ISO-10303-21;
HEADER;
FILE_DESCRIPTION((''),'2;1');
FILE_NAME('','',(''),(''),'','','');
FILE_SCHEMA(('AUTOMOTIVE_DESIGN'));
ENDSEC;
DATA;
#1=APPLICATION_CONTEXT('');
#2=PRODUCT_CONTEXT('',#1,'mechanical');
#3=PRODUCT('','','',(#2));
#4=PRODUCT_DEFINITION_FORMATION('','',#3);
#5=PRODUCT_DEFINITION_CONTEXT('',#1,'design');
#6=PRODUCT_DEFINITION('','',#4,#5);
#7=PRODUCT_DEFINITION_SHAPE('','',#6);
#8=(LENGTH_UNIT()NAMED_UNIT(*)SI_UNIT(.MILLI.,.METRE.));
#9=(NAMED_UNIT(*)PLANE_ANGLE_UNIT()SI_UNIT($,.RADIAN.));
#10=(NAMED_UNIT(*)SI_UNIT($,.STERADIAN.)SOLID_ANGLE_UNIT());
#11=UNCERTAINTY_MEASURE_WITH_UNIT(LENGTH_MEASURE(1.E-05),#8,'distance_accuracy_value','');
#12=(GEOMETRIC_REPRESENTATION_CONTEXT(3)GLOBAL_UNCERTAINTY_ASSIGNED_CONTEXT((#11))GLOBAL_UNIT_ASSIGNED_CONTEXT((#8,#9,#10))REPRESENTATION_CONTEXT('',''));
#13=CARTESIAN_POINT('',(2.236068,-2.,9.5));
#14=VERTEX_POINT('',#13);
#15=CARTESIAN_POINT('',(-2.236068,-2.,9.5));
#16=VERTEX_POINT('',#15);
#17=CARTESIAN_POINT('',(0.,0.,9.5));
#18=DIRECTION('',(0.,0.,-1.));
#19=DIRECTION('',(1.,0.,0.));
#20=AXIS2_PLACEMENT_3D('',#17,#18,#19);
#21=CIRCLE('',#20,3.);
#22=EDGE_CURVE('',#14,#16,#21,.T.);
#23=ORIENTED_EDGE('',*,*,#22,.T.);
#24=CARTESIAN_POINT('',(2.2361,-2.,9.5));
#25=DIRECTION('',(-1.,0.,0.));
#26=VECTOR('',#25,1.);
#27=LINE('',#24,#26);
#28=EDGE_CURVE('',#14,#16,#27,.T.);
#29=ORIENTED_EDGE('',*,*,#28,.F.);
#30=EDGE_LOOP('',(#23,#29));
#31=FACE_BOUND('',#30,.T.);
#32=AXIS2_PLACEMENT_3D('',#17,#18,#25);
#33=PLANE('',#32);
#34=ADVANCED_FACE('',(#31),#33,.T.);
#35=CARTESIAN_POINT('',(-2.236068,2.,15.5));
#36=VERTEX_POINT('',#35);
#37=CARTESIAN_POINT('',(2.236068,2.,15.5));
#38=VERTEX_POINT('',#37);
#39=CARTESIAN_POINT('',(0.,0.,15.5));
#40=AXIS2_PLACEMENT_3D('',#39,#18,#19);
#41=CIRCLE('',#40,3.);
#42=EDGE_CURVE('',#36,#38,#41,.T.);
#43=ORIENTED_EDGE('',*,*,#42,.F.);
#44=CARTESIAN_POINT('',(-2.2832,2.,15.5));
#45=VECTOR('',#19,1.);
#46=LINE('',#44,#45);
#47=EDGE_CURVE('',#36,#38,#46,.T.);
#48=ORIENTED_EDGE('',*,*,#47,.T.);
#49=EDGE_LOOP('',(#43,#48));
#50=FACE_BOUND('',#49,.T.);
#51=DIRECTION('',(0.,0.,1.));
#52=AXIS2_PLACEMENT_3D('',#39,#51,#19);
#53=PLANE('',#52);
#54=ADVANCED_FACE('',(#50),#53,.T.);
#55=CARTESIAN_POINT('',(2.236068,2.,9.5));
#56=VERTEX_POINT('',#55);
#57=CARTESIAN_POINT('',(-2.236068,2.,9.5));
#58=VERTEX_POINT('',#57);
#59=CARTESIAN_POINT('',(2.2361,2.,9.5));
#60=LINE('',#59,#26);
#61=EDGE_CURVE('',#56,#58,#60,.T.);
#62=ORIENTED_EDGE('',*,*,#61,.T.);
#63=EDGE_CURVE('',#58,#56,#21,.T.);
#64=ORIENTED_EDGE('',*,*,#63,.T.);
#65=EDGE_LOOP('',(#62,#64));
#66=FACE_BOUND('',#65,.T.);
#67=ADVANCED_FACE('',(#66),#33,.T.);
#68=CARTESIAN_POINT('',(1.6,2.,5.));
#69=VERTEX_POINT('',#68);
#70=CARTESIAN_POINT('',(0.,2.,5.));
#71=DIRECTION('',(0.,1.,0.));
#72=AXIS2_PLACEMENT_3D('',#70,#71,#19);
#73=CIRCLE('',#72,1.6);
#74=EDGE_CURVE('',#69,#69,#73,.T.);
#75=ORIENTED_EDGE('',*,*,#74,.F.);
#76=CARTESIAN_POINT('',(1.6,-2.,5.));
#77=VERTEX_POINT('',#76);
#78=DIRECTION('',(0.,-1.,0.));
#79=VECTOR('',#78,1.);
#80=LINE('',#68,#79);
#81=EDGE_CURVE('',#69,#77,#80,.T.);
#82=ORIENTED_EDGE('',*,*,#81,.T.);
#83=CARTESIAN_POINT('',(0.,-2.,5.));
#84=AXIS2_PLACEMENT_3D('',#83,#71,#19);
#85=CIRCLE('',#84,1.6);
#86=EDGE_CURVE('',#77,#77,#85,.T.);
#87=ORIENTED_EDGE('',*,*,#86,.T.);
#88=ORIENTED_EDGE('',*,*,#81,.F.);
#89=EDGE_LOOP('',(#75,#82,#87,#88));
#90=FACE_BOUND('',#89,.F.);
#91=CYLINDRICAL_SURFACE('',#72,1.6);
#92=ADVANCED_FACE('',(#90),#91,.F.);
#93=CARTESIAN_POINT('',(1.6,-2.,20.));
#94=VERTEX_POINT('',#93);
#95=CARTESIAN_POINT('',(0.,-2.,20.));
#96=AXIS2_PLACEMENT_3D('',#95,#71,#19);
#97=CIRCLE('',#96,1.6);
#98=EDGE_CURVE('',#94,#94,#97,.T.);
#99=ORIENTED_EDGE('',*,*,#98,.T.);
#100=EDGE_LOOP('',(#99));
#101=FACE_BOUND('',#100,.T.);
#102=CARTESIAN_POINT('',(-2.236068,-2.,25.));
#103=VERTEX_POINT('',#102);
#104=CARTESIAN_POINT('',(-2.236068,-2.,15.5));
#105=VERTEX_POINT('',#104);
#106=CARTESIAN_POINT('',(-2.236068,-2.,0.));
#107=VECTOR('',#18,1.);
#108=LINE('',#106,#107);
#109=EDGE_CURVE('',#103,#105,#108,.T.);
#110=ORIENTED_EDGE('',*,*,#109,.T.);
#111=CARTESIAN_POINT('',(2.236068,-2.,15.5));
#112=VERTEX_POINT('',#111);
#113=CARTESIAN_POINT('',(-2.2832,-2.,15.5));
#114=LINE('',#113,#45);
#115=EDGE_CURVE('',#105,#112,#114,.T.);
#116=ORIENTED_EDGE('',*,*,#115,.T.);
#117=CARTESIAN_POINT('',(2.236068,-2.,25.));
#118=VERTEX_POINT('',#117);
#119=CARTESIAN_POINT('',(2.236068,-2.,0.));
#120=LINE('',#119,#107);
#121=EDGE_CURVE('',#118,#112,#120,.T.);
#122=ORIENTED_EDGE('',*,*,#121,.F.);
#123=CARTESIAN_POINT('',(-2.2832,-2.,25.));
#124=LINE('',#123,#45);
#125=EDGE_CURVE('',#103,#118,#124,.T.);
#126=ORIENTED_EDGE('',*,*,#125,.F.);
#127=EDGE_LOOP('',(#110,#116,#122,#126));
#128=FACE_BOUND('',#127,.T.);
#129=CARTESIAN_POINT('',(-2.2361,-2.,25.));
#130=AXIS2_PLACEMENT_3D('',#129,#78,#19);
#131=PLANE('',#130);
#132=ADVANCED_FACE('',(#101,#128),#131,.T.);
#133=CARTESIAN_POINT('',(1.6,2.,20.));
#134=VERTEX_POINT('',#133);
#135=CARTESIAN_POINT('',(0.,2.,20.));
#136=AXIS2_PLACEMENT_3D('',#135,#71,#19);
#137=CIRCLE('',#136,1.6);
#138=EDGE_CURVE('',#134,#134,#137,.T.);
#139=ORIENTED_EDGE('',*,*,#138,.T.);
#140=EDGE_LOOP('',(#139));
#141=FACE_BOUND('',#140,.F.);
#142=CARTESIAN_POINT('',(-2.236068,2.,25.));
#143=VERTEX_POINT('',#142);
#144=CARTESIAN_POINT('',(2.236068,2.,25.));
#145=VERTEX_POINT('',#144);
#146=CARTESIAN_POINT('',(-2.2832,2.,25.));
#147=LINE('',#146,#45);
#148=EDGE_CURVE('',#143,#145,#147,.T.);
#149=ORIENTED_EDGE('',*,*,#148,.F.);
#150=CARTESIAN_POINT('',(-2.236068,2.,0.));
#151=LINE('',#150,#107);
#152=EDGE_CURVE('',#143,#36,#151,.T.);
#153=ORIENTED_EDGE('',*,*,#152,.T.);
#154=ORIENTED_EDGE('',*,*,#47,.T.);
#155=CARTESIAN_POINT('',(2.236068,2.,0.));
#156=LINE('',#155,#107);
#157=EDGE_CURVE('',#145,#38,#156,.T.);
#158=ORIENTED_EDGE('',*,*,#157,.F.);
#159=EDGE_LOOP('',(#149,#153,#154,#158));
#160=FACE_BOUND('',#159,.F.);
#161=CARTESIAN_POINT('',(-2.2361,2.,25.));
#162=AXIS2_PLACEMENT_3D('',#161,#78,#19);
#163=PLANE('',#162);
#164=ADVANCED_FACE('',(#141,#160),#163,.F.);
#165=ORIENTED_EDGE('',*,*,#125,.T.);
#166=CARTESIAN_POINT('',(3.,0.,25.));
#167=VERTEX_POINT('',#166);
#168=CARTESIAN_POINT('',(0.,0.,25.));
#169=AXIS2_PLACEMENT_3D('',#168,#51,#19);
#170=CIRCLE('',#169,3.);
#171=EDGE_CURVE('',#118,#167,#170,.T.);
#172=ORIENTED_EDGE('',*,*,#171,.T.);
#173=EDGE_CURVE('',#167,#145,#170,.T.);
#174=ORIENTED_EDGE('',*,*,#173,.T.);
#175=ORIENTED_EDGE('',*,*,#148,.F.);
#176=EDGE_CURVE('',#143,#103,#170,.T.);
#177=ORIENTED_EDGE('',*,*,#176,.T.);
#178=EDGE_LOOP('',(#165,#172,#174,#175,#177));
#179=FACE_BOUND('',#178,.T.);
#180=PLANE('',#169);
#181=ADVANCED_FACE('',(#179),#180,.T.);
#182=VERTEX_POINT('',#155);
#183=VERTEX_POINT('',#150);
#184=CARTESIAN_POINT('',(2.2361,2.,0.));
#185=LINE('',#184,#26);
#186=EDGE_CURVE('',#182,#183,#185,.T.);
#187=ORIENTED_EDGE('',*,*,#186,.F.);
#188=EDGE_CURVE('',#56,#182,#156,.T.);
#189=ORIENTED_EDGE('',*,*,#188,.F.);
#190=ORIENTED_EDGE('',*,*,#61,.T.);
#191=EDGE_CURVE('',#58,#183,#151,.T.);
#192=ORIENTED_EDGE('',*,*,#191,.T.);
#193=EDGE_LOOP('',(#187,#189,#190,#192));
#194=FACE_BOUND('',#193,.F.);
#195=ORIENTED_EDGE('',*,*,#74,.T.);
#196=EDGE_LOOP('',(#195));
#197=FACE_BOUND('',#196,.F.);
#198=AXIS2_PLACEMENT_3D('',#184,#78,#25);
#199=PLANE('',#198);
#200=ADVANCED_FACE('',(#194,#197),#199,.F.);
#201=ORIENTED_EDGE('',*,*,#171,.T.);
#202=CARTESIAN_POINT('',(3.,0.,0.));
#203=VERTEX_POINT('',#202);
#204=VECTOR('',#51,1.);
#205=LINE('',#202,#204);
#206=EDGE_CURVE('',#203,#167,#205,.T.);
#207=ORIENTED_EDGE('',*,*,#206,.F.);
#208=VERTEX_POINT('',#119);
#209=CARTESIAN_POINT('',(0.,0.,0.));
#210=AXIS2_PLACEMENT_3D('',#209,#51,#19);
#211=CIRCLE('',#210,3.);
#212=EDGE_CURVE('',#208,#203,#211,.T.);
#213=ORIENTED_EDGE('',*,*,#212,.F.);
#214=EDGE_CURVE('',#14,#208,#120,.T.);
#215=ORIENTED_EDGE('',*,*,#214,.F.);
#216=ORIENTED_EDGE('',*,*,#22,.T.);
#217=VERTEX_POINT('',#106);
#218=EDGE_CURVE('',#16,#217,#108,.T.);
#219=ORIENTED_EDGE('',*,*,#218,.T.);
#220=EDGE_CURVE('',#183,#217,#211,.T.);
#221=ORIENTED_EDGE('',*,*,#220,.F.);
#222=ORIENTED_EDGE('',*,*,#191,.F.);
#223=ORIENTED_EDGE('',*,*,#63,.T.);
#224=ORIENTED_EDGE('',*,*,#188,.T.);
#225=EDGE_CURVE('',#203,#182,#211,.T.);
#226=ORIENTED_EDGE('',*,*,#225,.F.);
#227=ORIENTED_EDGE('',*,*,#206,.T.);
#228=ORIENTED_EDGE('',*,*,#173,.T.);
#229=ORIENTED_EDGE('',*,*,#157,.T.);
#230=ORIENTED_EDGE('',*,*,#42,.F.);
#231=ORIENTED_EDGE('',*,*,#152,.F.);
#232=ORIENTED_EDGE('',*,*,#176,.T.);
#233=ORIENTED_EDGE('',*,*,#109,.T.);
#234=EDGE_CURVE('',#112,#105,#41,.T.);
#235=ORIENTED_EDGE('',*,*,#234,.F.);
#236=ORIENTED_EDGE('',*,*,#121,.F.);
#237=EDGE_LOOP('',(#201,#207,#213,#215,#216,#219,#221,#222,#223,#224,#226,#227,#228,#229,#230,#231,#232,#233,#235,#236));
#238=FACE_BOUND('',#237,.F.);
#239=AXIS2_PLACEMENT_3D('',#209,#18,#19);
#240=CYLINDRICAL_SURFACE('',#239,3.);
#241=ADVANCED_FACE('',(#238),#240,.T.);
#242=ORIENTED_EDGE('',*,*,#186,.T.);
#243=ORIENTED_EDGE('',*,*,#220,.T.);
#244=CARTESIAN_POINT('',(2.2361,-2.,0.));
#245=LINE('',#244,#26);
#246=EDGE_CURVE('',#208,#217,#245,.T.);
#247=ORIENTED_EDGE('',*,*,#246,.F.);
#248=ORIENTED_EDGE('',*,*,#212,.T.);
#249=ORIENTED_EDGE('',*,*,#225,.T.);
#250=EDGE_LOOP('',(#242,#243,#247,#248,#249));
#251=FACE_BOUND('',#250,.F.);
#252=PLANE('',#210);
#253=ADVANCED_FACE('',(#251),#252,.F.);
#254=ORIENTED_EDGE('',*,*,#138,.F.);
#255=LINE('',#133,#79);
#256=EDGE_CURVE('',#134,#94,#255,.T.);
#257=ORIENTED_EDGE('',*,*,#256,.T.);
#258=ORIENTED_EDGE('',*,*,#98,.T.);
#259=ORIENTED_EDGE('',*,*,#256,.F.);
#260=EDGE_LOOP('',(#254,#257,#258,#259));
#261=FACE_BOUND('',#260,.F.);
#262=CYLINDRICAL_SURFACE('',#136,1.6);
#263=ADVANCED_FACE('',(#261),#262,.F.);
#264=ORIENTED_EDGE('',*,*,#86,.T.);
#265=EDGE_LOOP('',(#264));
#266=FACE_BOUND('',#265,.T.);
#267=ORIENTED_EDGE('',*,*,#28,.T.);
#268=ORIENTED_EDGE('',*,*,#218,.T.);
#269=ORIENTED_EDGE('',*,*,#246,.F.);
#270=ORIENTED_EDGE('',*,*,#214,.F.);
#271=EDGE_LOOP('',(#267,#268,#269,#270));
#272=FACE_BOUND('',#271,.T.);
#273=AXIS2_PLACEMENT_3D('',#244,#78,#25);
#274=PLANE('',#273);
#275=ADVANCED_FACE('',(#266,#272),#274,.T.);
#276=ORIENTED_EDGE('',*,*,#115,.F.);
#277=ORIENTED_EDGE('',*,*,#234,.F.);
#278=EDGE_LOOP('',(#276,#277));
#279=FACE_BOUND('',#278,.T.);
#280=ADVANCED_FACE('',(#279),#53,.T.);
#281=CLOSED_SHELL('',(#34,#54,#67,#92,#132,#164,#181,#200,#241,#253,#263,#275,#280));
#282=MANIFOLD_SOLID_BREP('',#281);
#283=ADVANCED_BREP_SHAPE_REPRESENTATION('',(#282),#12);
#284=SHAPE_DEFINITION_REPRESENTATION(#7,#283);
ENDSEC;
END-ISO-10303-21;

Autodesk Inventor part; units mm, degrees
ref_plane "YZ Plane" through (0, 0, 0) normal (1, 0, 0) x (0, 1, 0)
ref_plane "XZ Plane" through (0, 0, 0) normal (0, 1, 0) x (-1, 0, 0)
ref_plane "XY Plane" through (0, 0, 0) normal (0, 0, 1) x (1, 0, 0)
sketch "スケッチ1" plane through (0, 0, 0) normal (0, 0, 1) x (1, 0, 0)
  circle A0 centre (0, 0) radius 3
  dimension "d0" = 6
extrude "押し出し1" add sketch "スケッチ1" along normal blind 25
sketch "スケッチ2" plane through (0, 0, 25) normal (0, 0, 1) x (1, 0, 0)
  line L0 (-2.2832, 2) -> (2.2938, 2)
  line L1 (-2.2832, -2) -> (2.3454, -2)
  arc A0 (-2.2361, 2) -> (-2.2361, -2) centre (0, 0) ccw construction
  arc A1 (2.2361, 2) -> (-2.2361, 2) centre (0, 0) ccw
  arc A2 (2.2361, -2) -> (2.2361, 2) centre (0, 0) ccw construction
  arc A3 (-2.2361, -2) -> (2.2361, -2) centre (0, 0) ccw
  dimension "d5" = 2
  dimension "d6" = 6
  dimension "d7" = 2
extrude "押し出し2" cut sketch "スケッチ2" against normal blind 9.5
sketch "スケッチ3" plane through (0, 0, 0) normal (0, 0, -1) x (-1, 0, 0)
  arc A0 (-2.2361, -2) -> (2.2361, -2) centre (0, 0) ccw
  line L0 (-2.2361, 2) -> (2.2361, 2)
  line L1 (-2.2361, -2) -> (2.2361, -2)
  arc A1 (2.2361, -2) -> (2.2361, 2) centre (0, 0) ccw construction
  arc A2 (-2.2361, 2) -> (-2.2361, -2) centre (0, 0) ccw construction
  arc A3 (2.2361, 2) -> (-2.2361, 2) centre (0, 0) ccw
  arc A4 (2.2361, -2) -> (2.2361, 2) centre (0, 0) ccw construction
  dimension "d13" = 2
  dimension "d14" = 2
extrude "押し出し3" cut sketch "スケッチ3" against normal blind 9.5
sketch "スケッチ4" plane through (-2.2361, 2, 0) normal (0, 1, 0) x (1, 0, 0)
  circle A0 centre (2.2361, -5) radius 1.6
  circle A1 centre (2.2361, -20) radius 1.6
  line L0 (0, 0) -> (4.4721, 0) projected
  point P0 (2.2361, 0)
  point P1 (2.2361, 0)
  point P2 (2.2361, 0)
  dimension "d17" = 3.2
  dimension "d18" = 3.2
  dimension "d19" = 15
  dimension "d20" = 5
extrude "押し出し4" cut sketch "スケッチ4" against normal through all
properties part number "上昇機構_固定軸ベアリングの" material "アルミニウム 6061"
